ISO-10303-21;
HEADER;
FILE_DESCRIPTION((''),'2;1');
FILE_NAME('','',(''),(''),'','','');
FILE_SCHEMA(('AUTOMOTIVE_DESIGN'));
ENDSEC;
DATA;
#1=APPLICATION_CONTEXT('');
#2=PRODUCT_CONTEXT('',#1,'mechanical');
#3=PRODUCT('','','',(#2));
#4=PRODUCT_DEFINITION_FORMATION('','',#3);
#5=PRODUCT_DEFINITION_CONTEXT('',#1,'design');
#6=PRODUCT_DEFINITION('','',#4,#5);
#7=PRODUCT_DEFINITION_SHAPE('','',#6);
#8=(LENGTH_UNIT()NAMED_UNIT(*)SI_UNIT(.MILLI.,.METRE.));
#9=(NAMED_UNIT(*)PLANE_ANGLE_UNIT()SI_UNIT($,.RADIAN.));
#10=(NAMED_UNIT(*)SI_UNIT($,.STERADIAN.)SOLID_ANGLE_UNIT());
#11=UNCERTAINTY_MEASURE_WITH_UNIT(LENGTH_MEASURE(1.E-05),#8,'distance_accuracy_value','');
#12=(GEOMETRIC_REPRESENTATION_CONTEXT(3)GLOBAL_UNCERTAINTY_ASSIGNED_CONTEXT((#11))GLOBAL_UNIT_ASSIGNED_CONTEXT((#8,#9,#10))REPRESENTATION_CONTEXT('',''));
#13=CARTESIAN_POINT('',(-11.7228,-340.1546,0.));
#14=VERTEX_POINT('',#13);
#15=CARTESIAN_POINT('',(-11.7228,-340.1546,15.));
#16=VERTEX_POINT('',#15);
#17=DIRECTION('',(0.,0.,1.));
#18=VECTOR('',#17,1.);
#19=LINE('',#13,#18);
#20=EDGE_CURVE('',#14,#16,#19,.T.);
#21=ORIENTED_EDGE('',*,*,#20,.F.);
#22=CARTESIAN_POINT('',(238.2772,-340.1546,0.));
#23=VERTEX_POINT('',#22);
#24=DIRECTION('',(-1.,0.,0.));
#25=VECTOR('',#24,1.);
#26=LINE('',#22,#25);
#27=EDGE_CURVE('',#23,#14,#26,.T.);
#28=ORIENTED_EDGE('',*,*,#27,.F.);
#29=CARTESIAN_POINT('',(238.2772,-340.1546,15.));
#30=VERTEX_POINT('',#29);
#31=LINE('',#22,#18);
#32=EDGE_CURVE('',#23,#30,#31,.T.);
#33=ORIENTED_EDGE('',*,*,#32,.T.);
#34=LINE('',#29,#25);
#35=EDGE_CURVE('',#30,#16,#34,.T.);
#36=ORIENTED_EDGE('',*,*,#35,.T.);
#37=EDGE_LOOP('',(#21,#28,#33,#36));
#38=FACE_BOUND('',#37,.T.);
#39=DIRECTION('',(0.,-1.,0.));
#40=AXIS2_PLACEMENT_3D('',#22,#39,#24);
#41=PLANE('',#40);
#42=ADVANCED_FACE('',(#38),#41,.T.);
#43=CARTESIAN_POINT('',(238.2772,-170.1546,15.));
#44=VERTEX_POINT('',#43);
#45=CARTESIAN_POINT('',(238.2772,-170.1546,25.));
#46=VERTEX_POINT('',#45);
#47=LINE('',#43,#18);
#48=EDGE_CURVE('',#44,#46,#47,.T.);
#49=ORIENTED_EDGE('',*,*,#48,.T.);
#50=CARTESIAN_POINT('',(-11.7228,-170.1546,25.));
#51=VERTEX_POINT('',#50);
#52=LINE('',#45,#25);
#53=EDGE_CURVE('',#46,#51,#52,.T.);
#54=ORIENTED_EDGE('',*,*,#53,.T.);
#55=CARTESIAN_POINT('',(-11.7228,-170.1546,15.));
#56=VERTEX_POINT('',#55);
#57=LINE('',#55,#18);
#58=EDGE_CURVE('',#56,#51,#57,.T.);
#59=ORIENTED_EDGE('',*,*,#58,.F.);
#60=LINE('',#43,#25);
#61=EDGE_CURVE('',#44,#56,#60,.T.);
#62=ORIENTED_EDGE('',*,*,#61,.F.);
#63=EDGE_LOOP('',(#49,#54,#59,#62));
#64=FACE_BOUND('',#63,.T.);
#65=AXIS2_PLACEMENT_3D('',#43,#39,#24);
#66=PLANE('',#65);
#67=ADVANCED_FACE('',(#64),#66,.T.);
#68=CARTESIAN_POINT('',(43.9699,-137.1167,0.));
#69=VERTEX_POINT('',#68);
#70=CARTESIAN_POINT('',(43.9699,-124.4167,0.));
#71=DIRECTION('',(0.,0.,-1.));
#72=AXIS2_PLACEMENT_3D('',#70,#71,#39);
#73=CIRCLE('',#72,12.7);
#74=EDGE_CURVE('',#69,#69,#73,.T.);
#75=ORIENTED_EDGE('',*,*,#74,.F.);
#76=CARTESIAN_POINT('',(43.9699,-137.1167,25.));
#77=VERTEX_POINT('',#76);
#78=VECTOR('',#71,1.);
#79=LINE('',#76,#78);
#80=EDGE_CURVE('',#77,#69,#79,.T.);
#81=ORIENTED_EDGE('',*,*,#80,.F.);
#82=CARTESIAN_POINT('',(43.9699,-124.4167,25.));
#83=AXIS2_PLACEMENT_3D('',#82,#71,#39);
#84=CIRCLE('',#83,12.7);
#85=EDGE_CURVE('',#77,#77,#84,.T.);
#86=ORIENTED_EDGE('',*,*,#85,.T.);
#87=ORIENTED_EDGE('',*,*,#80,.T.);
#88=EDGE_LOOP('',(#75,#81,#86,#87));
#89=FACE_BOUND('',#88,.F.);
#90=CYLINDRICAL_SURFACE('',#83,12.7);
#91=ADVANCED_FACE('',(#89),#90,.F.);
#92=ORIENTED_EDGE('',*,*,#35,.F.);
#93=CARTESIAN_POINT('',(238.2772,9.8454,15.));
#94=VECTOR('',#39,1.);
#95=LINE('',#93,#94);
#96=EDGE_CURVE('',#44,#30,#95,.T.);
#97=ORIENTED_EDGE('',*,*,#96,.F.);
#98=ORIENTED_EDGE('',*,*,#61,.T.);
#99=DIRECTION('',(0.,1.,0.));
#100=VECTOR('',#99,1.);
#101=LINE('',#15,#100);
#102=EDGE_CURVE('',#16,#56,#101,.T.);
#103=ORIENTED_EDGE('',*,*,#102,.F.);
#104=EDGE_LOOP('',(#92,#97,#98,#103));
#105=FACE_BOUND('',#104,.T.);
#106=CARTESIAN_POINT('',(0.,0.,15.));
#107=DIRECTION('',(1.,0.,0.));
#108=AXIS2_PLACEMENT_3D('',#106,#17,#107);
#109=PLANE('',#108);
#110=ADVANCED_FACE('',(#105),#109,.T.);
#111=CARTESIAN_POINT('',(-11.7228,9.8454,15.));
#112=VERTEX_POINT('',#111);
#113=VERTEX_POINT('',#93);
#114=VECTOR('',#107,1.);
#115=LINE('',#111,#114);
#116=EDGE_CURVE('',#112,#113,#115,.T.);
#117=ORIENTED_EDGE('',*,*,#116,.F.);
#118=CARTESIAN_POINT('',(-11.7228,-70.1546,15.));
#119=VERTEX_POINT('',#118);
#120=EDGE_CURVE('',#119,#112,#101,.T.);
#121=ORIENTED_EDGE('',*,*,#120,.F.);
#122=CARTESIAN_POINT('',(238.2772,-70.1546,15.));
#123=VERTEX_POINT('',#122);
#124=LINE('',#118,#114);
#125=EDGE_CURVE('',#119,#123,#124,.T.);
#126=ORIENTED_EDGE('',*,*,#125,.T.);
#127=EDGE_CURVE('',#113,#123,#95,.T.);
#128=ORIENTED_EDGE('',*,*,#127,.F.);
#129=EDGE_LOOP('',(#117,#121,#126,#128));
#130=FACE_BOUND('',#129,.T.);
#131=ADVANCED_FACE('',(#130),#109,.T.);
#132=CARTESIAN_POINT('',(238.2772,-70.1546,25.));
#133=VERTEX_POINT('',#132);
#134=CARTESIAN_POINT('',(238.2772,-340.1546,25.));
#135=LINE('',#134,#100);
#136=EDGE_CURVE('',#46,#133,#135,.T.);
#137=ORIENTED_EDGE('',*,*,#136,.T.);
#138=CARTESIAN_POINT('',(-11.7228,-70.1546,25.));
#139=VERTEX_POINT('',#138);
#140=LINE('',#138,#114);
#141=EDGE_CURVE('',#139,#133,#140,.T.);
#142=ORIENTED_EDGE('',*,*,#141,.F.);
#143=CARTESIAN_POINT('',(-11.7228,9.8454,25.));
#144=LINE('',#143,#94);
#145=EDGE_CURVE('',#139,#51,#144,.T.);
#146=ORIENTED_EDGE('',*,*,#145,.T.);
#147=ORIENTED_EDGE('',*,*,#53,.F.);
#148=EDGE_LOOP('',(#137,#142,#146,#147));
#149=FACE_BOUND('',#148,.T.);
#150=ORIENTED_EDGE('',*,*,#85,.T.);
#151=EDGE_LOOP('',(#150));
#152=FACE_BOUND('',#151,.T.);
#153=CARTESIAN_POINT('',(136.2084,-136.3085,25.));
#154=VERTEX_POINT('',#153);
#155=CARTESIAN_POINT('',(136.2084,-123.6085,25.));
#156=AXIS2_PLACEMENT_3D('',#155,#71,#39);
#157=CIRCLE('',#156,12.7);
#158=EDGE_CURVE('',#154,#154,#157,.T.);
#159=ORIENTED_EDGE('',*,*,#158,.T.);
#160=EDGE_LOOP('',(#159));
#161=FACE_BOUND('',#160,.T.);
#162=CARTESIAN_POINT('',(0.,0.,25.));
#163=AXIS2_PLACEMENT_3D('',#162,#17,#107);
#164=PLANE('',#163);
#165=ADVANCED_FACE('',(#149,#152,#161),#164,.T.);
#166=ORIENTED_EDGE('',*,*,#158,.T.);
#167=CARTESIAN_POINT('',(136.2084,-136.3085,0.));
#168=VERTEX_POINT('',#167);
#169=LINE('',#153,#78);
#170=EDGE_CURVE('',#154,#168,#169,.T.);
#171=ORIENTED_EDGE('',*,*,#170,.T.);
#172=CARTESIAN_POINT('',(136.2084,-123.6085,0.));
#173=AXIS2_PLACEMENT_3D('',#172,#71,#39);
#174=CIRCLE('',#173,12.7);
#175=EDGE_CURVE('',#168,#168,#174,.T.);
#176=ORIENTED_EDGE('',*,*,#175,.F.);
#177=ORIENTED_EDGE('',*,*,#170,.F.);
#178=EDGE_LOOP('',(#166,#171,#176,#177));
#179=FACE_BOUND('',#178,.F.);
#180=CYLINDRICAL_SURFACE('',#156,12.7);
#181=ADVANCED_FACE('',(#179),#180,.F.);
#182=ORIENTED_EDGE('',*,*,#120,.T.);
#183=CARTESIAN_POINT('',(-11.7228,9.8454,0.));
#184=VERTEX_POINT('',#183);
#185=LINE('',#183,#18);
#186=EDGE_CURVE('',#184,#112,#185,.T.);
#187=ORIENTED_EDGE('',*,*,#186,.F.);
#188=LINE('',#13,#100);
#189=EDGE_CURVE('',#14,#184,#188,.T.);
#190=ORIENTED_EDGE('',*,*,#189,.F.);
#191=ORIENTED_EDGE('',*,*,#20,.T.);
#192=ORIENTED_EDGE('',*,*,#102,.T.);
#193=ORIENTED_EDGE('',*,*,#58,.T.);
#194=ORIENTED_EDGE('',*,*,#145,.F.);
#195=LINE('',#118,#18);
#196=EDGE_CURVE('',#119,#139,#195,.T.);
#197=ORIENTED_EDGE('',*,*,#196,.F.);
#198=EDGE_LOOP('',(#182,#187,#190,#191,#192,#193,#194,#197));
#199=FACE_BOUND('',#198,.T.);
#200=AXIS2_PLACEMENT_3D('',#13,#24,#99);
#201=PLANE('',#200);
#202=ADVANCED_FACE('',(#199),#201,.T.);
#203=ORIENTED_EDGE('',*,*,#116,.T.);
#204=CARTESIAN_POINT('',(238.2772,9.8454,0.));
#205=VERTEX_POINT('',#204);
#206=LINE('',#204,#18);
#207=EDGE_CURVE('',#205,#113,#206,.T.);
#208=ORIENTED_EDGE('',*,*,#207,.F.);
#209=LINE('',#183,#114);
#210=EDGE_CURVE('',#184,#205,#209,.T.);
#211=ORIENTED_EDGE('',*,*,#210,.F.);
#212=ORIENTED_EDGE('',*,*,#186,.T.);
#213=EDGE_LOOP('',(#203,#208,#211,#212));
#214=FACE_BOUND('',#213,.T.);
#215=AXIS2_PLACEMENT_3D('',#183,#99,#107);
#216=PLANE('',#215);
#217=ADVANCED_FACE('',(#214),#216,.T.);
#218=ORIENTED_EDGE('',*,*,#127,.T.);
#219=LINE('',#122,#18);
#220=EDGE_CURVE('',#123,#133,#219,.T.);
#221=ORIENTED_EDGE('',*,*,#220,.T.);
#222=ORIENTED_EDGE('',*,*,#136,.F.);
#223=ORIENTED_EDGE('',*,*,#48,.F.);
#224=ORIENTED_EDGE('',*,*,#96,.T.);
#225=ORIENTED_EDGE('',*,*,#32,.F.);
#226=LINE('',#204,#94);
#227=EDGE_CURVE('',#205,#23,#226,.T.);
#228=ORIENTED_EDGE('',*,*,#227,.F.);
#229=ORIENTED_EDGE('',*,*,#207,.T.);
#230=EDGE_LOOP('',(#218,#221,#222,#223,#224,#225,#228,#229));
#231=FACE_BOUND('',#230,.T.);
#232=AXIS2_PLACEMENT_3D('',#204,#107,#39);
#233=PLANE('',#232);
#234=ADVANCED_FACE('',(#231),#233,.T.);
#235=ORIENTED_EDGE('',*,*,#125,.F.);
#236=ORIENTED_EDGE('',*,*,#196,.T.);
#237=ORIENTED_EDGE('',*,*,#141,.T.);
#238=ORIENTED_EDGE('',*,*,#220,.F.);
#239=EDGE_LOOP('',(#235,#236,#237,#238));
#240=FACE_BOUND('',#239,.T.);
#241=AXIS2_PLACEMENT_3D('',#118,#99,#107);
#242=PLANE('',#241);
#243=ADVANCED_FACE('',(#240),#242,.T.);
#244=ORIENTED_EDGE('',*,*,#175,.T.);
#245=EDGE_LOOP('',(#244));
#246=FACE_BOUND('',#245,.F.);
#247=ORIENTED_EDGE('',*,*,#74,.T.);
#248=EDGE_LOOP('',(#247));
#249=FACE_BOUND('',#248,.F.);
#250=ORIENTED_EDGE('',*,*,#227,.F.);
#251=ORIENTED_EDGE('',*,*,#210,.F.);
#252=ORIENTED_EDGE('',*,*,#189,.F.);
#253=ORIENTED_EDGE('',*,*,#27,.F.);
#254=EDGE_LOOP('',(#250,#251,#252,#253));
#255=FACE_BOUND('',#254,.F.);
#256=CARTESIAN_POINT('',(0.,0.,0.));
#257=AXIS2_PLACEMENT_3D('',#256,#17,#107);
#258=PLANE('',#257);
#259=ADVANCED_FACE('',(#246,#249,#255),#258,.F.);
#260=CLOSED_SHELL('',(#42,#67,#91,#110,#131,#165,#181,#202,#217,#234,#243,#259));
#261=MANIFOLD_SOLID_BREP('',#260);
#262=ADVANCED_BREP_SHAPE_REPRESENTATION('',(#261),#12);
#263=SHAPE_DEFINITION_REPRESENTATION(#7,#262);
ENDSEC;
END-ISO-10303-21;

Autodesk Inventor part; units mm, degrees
ref_plane "YZ Plane" through (0, 0, 0) normal (1, 0, 0) x (0, 1, 0)
ref_plane "XZ Plane" through (0, 0, 0) normal (0, 1, 0) x (-1, 0, 0)
ref_plane "XY Plane" through (0, 0, 0) normal (0, 0, 1) x (1, 0, 0)
sketch "Sketch1" plane through (0, 0, 0) normal (0, 0, 1) x (1, 0, 0)
  line L0 (-11.7228, 9.8454) -> (238.2772, 9.8454)
  line L1 (238.2772, 9.8454) -> (238.2772, -340.1546)
  line L2 (238.2772, -340.1546) -> (-11.7228, -340.1546)
  line L3 (-11.7228, -340.1546) -> (-11.7228, 9.8454)
  point P0 (0, 0)
  dimension "d0" = 250
  dimension "d1" = 350
extrude "Extrusion1" add sketch "Sketch1" along normal blind 15
sketch "Sketch2" plane through (0, 0, 15) normal (0, 0, 1) x (1, 0, 0)
  line L0 (-11.7228, 9.8454) -> (-11.7228, -340.1546) projected
  line L1 (238.2772, -340.1546) -> (238.2772, 9.8454) projected
  line L2 (-11.7228, -70.1546) -> (238.2772, -70.1546)
  line L3 (238.2772, -70.1546) -> (238.2772, -170.1546)
  line L4 (238.2772, -170.1546) -> (-11.7228, -170.1546)
  line L5 (-11.7228, -170.1546) -> (-11.7228, -70.1546)
  line L6 (238.2772, 9.8454) -> (-11.7228, 9.8454) projected
  line L7 (-11.7228, -340.1546) -> (238.2772, -340.1546) projected
  point P0 (0, 0)
  point P1 (-11.7228, -170.1546)
  dimension "d4" = 80
  dimension "d5" = 170
extrude "Extrusion2" add sketch "Sketch2" along normal blind 10 contours L2 L1 L4 L0
sketch "Sketch3" plane through (0, 0, 25) normal (0, 0, 1) x (1, 0, 0)
  point P0 (0, 0)
  point P1 (43.9699, -124.4167)
  point P2 (136.2084, -123.6085)
hole "Hole1" at (43.9699, -124.4167, 25) at (136.2084, -123.6085, 25) direction (0, 0, -1) diameter 25.4 end through all
properties part number "base"
